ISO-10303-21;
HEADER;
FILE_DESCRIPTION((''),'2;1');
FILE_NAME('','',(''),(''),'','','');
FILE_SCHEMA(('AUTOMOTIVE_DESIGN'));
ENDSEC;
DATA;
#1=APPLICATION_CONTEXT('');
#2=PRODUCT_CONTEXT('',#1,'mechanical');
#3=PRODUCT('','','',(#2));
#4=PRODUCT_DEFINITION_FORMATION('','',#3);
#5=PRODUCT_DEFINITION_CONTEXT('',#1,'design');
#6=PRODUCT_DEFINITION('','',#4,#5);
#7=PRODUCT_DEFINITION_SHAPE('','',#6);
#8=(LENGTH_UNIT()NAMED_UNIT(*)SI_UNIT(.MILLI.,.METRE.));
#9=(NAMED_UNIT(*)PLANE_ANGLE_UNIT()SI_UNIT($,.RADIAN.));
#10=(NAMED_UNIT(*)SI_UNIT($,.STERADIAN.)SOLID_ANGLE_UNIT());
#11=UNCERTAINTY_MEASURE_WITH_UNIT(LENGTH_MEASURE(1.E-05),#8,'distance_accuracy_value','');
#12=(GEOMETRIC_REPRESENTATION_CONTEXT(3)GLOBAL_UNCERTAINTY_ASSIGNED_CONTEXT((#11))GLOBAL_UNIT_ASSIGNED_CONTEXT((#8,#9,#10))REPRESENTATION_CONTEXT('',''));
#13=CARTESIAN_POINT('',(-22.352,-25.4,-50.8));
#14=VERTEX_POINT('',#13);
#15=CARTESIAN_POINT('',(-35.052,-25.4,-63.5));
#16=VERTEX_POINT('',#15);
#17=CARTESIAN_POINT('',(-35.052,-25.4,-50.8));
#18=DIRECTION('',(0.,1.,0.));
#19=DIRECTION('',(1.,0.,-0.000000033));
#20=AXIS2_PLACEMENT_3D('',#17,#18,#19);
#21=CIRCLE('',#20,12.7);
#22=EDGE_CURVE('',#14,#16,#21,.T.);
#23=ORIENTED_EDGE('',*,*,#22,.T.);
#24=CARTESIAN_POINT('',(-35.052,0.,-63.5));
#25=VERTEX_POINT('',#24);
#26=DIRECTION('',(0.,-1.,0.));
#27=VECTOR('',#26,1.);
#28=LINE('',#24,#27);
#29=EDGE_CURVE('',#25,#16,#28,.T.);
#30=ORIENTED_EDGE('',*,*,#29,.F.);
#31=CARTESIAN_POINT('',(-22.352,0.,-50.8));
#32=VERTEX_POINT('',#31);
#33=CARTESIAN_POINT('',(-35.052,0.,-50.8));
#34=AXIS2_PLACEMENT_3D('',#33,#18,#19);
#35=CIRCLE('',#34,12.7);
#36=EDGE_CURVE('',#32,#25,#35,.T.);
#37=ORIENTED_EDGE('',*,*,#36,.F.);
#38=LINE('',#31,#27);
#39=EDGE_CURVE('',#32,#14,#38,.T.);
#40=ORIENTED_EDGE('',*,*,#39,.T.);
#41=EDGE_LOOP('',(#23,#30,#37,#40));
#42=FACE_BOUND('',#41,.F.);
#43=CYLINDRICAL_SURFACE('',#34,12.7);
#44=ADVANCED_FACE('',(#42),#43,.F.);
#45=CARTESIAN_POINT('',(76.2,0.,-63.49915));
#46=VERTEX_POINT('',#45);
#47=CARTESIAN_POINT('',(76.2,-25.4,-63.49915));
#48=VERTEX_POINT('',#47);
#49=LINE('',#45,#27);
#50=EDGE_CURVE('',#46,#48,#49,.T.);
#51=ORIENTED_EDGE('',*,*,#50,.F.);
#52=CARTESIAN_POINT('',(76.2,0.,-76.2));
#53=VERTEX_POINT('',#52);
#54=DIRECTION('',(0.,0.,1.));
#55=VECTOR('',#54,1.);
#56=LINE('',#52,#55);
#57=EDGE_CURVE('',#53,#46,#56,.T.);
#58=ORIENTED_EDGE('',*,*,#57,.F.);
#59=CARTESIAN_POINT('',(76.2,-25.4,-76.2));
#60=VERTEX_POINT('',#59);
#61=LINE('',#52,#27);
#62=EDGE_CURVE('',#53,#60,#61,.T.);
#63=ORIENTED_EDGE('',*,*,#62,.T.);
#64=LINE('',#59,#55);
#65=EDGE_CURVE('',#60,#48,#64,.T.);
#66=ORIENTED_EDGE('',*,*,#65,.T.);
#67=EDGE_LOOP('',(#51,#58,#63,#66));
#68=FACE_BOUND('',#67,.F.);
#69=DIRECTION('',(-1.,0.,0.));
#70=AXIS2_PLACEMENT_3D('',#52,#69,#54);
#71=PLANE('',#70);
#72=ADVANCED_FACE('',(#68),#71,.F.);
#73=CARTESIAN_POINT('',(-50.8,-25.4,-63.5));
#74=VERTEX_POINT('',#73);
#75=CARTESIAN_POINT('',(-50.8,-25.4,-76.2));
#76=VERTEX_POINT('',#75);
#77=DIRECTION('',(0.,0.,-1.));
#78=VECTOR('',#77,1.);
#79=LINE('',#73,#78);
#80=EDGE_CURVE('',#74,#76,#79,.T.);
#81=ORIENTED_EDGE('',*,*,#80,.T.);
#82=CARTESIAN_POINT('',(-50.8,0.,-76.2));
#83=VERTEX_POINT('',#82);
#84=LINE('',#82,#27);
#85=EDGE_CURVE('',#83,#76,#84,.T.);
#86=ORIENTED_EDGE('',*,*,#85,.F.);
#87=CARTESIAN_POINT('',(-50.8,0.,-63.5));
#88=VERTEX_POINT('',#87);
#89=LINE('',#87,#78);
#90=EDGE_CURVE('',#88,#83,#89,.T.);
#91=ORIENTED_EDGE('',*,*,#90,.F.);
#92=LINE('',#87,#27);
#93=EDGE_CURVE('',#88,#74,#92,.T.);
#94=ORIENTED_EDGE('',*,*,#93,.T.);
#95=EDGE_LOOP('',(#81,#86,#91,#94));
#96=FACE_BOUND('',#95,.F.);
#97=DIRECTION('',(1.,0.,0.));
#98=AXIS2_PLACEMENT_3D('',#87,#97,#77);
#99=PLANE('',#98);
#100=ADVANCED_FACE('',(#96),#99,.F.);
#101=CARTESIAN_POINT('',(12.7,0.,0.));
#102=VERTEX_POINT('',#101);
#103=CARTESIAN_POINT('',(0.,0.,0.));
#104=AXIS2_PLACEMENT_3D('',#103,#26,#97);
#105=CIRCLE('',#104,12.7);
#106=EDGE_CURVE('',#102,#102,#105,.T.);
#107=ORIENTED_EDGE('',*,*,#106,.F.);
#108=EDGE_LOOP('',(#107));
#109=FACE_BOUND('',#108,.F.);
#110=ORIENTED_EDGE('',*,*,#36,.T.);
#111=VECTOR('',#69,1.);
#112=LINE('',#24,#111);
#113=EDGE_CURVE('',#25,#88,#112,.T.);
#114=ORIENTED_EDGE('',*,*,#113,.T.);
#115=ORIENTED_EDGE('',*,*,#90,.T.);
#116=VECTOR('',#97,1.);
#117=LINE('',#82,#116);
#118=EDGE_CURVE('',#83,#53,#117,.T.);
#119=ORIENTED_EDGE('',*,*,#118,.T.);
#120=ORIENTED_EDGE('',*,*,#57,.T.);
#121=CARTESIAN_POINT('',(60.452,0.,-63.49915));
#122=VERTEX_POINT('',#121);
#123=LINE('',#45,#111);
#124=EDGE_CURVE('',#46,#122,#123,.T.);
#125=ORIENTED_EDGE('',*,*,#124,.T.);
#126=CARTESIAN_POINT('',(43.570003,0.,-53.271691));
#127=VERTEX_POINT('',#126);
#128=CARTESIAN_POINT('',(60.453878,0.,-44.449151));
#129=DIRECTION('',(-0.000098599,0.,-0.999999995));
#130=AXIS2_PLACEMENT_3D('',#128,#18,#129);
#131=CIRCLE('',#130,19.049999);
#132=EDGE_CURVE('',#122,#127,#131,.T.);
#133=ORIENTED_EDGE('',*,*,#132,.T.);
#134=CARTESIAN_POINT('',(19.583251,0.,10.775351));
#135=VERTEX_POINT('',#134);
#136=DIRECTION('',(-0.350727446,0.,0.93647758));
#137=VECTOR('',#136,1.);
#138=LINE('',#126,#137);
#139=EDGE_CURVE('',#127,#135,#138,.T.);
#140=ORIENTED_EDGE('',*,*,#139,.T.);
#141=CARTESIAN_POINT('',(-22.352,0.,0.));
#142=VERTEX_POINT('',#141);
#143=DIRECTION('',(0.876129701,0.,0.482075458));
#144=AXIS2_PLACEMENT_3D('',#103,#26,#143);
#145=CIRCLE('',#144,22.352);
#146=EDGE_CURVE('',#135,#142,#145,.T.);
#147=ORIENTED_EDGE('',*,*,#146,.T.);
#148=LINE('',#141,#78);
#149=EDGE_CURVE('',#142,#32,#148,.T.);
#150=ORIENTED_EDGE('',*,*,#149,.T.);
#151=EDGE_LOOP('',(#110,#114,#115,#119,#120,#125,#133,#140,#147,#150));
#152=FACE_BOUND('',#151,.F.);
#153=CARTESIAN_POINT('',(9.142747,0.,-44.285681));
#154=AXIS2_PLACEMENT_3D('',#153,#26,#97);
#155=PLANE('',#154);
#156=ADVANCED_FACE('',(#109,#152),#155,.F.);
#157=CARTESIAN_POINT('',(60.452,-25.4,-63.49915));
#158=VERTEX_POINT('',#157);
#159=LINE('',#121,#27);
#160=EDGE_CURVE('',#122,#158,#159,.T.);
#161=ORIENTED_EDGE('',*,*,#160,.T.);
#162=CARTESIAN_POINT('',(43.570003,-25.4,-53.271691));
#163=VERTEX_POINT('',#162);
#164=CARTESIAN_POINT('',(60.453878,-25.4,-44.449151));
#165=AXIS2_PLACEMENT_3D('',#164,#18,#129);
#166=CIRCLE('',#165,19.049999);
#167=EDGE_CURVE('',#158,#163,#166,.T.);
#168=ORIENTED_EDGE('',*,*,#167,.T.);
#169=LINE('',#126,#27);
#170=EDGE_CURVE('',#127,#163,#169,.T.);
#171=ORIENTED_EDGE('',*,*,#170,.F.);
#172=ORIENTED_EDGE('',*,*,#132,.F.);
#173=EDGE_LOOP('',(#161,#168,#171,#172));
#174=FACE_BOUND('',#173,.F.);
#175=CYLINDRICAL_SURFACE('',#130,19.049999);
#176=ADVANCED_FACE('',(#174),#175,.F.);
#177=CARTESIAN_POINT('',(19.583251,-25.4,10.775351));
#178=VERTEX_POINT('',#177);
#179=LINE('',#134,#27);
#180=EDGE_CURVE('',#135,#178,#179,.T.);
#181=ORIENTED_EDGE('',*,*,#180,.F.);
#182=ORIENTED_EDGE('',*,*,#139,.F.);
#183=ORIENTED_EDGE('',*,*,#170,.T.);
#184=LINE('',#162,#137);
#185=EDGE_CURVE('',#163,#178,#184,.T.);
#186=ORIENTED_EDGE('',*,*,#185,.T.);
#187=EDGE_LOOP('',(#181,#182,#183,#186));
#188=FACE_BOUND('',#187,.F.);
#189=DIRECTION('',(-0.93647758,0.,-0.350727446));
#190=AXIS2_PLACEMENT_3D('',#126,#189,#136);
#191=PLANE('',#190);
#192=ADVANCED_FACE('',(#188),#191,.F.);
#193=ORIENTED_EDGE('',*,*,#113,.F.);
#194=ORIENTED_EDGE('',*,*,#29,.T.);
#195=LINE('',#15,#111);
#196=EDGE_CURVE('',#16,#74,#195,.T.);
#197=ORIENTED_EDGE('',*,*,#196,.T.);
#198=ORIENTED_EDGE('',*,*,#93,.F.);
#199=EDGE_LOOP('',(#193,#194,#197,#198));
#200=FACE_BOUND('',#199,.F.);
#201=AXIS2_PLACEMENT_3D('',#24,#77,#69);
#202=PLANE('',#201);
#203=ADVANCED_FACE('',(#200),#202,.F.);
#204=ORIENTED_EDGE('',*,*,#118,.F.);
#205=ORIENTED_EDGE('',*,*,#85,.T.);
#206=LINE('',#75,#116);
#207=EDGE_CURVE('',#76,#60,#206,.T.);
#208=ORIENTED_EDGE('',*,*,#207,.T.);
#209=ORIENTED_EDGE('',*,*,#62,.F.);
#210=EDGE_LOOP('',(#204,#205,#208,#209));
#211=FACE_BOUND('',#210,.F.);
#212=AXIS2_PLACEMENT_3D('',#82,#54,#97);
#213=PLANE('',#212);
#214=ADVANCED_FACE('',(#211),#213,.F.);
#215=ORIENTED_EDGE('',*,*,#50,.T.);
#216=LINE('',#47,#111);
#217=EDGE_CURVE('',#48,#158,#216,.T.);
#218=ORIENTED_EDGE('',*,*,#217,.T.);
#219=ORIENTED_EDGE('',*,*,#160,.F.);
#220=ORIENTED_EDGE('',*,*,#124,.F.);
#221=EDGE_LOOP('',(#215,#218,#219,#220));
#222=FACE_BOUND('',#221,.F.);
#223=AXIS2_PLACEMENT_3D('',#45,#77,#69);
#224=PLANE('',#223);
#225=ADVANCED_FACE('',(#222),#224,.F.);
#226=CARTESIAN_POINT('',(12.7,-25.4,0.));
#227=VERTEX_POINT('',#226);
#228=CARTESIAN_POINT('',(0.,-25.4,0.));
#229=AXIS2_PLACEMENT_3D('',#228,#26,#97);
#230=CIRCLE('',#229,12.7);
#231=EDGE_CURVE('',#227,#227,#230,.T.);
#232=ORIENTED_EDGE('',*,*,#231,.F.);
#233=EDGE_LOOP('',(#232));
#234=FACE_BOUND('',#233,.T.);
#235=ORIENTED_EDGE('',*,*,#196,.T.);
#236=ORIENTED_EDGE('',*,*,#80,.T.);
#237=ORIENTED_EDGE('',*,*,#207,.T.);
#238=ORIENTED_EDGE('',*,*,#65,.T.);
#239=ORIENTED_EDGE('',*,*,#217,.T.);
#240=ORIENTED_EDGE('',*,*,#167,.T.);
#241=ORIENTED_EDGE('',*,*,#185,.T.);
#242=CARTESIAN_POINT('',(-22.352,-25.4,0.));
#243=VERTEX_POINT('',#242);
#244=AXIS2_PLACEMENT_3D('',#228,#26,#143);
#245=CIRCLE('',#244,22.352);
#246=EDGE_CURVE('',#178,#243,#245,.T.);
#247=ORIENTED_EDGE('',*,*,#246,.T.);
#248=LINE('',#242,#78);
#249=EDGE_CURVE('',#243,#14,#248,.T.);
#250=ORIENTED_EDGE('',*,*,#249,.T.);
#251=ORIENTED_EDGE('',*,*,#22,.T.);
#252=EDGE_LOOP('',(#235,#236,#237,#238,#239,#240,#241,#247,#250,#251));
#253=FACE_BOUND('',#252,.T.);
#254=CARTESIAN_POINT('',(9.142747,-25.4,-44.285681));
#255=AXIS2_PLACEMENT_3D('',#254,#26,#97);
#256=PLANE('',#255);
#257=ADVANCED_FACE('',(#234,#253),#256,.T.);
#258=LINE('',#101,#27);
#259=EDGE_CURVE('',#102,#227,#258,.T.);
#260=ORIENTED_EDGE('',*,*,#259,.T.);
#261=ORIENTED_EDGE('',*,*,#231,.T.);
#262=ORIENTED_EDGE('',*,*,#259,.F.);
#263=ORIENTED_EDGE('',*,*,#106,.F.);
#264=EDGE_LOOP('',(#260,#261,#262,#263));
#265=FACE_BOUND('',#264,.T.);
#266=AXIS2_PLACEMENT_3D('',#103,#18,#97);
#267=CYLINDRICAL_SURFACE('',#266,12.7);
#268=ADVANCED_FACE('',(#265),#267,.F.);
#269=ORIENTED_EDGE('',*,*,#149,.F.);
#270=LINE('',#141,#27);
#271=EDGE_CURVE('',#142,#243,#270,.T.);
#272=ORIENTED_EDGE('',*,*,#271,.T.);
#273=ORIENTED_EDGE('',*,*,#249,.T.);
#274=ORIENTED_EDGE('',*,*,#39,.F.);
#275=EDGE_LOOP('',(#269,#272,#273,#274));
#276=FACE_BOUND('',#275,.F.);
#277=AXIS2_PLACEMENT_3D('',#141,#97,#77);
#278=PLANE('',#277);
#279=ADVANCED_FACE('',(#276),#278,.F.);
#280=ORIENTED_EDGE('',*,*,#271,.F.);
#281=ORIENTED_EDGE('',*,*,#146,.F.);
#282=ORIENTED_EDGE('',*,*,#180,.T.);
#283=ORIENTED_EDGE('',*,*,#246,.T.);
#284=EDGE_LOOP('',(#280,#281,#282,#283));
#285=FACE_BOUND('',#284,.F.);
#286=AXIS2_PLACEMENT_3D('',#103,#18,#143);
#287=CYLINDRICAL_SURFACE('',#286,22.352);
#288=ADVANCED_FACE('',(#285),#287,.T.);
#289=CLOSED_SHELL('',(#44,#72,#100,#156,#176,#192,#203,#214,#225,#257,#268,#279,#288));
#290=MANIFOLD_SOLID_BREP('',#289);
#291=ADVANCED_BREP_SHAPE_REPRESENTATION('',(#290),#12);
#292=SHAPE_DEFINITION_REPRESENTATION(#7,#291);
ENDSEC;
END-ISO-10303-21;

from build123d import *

# Parameters (mm, degrees)
F0_R     = 12.7
F1_DEPTH = 25.4


with BuildPart() as f1:
    # F0 (on Front) → F1 (new body)
    with BuildSketch(Plane.XZ):
        with BuildLine():
            Line((43.570003, -53.271691), (19.583251, 10.775351))
            ThreePointArc((19.583251, 10.775351), (-5.562692, 21.64875), (-22.352, 0))
            Line((-22.352, 0), (-22.352, -50.8))
            ThreePointArc((-22.352, -50.8), (-26.071744, -59.780256), (-35.052, -63.5))
            Line((-35.052, -63.5), (-50.8, -63.5))
            Line((-50.8, -63.5), (-50.8, -76.2))
            Line((-50.8, -76.2), (0, -76.2))
            Line((0, -76.2), (76.2, -76.2))
            Line((76.2, -76.2), (76.2, -63.49915))
            Line((76.2, -63.49915), (60.452, -63.49915))
            ThreePointArc((60.452, -63.49915), (50.583093, -60.742403), (43.570003, -53.271691))
        make_face()
        Circle(F0_R, mode=Mode.SUBTRACT)
    extrude(amount=F1_DEPTH)


solid = f1.part
